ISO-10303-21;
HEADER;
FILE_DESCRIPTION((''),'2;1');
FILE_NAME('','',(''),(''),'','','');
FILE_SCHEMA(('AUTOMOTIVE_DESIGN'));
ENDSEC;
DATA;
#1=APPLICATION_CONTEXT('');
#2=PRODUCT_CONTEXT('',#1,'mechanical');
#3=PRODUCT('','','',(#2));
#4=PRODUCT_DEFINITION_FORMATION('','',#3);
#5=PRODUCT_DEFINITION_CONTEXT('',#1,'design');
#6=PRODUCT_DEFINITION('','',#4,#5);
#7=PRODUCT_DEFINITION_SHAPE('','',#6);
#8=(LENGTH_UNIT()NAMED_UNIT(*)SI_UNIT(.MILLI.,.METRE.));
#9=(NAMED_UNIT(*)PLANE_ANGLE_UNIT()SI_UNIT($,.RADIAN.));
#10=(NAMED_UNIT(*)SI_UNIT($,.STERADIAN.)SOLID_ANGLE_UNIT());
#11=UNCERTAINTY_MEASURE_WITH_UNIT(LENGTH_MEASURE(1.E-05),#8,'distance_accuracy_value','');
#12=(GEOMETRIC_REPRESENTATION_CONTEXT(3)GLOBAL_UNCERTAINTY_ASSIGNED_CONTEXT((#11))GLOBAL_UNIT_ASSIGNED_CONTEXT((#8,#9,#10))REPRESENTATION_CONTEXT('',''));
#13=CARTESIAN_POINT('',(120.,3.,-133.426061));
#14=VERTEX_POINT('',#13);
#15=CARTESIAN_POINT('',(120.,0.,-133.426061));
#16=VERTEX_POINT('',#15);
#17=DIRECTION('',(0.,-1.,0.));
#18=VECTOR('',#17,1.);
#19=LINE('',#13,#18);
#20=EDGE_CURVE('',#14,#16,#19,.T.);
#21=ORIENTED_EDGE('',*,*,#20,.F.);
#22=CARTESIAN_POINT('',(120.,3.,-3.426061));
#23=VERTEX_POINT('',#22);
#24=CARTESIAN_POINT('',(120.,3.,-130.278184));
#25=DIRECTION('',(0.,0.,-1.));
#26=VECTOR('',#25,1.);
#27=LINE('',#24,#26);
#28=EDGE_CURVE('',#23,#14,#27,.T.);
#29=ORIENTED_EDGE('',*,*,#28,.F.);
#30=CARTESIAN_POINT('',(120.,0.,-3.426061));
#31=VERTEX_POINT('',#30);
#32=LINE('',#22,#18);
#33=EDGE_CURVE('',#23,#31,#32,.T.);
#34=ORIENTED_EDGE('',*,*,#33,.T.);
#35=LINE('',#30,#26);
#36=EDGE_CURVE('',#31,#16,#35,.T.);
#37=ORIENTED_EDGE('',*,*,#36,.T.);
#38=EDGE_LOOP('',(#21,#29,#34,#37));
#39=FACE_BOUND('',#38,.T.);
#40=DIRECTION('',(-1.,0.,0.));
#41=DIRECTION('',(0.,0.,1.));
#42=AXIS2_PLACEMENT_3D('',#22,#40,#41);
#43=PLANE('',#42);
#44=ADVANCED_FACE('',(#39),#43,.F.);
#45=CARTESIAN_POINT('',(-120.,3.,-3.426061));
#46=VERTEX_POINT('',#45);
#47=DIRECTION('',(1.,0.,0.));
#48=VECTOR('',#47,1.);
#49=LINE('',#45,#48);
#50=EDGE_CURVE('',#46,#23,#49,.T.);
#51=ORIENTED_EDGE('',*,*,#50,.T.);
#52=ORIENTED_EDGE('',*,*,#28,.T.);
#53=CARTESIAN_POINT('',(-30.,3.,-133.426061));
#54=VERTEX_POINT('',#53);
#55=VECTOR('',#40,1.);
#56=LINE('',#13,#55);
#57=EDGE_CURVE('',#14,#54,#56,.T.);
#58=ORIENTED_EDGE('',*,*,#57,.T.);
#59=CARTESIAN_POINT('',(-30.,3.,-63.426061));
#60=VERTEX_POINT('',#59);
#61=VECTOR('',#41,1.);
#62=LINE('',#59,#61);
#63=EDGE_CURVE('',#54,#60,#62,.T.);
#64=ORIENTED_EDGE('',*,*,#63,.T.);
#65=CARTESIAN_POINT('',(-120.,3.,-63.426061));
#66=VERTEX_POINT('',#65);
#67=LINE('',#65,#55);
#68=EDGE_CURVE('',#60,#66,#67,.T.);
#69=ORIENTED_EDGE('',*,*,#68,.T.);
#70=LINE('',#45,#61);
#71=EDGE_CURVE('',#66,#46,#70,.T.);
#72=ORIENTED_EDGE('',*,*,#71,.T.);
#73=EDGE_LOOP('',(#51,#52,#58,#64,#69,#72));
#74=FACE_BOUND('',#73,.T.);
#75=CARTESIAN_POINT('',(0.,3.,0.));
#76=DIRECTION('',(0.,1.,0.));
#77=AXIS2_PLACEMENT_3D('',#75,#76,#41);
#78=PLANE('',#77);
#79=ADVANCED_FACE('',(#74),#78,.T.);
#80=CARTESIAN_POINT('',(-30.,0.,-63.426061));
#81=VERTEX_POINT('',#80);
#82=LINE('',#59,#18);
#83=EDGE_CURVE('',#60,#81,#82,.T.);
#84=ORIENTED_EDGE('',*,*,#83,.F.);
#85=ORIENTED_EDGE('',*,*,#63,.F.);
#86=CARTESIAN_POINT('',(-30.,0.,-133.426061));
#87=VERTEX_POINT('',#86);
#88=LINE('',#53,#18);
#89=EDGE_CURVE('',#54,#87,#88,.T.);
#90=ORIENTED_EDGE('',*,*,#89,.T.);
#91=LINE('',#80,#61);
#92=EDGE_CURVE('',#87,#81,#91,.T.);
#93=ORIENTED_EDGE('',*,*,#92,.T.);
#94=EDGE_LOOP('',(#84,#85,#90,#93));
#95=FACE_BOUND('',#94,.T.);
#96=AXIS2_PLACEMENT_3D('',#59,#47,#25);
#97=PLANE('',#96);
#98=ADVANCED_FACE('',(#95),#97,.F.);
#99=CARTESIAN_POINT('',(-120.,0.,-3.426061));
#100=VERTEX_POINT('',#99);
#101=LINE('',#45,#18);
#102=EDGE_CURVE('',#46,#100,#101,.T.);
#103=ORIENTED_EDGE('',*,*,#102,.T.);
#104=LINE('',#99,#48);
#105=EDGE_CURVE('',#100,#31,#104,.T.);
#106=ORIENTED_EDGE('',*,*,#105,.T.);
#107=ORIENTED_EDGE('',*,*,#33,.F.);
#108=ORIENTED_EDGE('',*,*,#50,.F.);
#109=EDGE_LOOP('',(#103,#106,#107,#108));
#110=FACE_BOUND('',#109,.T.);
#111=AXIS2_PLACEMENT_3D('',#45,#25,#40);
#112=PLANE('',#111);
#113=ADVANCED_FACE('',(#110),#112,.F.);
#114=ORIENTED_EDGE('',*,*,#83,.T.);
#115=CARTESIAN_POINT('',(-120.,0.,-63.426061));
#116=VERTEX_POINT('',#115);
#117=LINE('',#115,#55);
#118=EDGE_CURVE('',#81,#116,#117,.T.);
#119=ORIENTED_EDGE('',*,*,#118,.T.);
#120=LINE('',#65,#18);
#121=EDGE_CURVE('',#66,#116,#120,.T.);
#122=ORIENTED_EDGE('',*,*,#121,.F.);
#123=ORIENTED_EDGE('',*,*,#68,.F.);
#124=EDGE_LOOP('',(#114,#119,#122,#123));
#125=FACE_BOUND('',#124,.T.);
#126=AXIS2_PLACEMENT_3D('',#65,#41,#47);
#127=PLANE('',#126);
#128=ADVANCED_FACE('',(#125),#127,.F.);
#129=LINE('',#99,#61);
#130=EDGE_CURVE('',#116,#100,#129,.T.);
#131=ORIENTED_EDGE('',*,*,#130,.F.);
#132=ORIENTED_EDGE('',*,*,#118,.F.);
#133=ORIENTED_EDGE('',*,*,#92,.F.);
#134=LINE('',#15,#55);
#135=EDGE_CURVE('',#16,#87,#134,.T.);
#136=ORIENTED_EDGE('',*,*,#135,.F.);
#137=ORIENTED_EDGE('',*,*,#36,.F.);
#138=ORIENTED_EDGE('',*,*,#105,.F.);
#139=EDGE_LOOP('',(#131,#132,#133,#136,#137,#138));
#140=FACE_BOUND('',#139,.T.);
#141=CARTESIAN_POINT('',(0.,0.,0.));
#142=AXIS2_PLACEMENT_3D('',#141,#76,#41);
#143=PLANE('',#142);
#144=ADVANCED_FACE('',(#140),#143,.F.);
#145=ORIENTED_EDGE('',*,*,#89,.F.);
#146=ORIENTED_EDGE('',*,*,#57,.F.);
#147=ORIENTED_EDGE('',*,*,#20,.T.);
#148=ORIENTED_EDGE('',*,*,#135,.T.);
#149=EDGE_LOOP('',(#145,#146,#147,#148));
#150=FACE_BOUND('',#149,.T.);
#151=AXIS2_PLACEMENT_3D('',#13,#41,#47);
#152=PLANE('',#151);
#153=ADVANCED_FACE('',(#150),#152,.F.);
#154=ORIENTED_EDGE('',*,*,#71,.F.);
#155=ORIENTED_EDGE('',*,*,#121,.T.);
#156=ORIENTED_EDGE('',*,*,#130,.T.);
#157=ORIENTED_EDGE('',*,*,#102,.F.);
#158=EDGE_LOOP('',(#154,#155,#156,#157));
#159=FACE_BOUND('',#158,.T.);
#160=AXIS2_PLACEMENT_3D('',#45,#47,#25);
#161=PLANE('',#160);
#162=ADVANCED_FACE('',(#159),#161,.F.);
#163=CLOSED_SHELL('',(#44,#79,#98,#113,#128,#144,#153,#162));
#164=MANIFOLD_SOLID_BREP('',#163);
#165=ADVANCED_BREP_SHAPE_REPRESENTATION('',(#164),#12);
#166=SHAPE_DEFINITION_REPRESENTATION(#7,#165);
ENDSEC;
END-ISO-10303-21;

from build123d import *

# Parameters (mm, degrees)
BOSS_EXTRUDE1_DEPTH = 3


with BuildPart() as part:
    # Sketch1 → Boss-Extrude1 (new body)
    with BuildSketch(Plane(origin=(0, 0, 0), x_dir=(1, 0, 0), z_dir=(0, 1, 0))):
        Polygon((-120, 3.426061493), (120, 3.426061493), (120, 130.27818448), (120, 133.426061493), (-30, 133.426061493), (-30, 63.426061493), (-120, 63.426061493), align=None)
    extrude(amount=BOSS_EXTRUDE1_DEPTH)


solid = part.part
